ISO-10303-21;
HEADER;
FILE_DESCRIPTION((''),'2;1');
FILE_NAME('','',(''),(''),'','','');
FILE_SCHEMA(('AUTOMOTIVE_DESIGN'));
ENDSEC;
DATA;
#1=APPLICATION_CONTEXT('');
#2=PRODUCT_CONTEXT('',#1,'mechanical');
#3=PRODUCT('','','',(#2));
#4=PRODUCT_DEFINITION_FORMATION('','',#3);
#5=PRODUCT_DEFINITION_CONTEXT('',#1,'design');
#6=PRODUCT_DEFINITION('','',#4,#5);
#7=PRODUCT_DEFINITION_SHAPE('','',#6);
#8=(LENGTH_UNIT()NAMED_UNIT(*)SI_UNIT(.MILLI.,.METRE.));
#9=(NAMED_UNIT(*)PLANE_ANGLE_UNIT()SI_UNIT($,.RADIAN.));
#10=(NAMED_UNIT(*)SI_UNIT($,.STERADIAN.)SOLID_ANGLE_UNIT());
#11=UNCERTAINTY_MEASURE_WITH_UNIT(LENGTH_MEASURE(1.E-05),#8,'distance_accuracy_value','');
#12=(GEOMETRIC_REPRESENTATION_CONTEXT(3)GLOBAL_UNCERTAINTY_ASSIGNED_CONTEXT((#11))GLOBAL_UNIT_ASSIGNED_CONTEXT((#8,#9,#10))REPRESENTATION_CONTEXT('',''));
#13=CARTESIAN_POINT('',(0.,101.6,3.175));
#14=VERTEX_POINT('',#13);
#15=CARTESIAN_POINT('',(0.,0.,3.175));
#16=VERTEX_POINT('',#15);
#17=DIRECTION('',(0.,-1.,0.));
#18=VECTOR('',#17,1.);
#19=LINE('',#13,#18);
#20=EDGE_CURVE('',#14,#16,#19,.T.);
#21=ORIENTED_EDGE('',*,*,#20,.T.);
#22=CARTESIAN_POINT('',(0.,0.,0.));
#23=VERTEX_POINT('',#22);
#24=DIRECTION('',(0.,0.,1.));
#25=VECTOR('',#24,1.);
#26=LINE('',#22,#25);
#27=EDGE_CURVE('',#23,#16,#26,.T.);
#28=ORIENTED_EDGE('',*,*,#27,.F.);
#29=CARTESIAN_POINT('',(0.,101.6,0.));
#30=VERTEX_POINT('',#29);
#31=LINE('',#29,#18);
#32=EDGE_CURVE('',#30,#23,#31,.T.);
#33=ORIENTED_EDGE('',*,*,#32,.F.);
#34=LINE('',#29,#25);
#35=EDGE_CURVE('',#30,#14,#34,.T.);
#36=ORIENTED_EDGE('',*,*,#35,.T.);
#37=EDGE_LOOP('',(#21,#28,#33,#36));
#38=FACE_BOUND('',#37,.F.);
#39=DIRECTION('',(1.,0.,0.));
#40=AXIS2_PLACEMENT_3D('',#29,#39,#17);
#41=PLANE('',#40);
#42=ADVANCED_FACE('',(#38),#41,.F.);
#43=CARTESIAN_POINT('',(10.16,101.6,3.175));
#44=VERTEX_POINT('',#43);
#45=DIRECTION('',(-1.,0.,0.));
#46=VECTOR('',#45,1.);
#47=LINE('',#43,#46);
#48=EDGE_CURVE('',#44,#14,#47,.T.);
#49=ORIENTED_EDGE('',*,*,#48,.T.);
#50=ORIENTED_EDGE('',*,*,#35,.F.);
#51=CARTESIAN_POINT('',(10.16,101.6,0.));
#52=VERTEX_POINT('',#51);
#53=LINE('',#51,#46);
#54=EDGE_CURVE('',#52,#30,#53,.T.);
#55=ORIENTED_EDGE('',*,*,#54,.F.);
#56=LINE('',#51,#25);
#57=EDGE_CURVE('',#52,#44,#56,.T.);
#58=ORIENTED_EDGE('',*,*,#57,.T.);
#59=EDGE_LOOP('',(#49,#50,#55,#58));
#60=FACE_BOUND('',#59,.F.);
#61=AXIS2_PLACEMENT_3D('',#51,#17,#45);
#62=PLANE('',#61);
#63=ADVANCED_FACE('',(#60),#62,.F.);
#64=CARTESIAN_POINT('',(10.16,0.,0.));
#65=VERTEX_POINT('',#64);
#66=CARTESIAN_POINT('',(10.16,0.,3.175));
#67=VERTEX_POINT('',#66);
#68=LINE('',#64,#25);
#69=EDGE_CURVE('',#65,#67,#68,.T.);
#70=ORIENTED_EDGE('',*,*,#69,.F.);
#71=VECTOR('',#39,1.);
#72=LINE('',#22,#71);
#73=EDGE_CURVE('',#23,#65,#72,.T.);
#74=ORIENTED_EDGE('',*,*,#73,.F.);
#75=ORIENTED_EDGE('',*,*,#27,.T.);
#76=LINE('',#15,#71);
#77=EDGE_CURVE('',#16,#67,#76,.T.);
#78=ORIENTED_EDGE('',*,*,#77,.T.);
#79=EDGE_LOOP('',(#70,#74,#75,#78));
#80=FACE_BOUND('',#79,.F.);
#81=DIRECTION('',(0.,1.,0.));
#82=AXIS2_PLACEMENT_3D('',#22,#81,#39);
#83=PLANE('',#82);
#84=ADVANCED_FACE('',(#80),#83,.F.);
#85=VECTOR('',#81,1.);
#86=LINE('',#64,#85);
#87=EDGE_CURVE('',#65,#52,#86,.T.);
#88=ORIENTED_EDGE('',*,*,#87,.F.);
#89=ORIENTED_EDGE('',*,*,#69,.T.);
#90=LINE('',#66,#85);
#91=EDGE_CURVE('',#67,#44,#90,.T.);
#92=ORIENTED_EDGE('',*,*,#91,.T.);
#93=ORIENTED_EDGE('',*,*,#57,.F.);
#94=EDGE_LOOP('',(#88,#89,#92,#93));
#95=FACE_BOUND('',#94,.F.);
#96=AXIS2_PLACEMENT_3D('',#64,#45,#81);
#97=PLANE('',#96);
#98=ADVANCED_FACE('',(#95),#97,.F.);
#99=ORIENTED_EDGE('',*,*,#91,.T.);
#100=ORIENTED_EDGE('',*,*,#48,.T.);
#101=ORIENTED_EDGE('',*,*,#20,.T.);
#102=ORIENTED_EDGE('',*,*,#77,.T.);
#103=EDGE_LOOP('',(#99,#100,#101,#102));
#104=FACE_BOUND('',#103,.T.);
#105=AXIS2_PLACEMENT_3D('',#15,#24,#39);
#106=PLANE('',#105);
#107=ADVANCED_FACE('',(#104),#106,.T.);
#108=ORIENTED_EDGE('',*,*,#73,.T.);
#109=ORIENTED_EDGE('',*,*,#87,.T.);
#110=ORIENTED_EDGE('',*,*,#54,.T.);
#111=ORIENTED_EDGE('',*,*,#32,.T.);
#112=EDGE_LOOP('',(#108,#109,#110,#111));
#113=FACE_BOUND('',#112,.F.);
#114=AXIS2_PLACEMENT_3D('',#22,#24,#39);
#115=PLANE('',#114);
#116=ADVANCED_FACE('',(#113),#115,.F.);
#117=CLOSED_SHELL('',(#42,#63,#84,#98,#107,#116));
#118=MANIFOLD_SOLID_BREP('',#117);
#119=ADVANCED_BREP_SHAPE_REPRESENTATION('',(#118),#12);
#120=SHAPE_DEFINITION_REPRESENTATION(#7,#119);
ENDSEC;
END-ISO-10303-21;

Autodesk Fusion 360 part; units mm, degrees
sketch "Sketch1" plane through (0, 0, 0) normal (0, 0, 1) x (1, 0, 0)
  line L0 (0, 0) -> (10.16, 0)
  line L1 (10.16, 0) -> (10.16, 101.6)
  line L2 (10.16, 101.6) -> (0, 101.6)
  line L3 (0, 101.6) -> (0, 0)
  dimension "d1" = 10.16
  dimension "d2" = 101.6
extrude "Extrude1" add sketch "Sketch1" along normal blind 3.175
